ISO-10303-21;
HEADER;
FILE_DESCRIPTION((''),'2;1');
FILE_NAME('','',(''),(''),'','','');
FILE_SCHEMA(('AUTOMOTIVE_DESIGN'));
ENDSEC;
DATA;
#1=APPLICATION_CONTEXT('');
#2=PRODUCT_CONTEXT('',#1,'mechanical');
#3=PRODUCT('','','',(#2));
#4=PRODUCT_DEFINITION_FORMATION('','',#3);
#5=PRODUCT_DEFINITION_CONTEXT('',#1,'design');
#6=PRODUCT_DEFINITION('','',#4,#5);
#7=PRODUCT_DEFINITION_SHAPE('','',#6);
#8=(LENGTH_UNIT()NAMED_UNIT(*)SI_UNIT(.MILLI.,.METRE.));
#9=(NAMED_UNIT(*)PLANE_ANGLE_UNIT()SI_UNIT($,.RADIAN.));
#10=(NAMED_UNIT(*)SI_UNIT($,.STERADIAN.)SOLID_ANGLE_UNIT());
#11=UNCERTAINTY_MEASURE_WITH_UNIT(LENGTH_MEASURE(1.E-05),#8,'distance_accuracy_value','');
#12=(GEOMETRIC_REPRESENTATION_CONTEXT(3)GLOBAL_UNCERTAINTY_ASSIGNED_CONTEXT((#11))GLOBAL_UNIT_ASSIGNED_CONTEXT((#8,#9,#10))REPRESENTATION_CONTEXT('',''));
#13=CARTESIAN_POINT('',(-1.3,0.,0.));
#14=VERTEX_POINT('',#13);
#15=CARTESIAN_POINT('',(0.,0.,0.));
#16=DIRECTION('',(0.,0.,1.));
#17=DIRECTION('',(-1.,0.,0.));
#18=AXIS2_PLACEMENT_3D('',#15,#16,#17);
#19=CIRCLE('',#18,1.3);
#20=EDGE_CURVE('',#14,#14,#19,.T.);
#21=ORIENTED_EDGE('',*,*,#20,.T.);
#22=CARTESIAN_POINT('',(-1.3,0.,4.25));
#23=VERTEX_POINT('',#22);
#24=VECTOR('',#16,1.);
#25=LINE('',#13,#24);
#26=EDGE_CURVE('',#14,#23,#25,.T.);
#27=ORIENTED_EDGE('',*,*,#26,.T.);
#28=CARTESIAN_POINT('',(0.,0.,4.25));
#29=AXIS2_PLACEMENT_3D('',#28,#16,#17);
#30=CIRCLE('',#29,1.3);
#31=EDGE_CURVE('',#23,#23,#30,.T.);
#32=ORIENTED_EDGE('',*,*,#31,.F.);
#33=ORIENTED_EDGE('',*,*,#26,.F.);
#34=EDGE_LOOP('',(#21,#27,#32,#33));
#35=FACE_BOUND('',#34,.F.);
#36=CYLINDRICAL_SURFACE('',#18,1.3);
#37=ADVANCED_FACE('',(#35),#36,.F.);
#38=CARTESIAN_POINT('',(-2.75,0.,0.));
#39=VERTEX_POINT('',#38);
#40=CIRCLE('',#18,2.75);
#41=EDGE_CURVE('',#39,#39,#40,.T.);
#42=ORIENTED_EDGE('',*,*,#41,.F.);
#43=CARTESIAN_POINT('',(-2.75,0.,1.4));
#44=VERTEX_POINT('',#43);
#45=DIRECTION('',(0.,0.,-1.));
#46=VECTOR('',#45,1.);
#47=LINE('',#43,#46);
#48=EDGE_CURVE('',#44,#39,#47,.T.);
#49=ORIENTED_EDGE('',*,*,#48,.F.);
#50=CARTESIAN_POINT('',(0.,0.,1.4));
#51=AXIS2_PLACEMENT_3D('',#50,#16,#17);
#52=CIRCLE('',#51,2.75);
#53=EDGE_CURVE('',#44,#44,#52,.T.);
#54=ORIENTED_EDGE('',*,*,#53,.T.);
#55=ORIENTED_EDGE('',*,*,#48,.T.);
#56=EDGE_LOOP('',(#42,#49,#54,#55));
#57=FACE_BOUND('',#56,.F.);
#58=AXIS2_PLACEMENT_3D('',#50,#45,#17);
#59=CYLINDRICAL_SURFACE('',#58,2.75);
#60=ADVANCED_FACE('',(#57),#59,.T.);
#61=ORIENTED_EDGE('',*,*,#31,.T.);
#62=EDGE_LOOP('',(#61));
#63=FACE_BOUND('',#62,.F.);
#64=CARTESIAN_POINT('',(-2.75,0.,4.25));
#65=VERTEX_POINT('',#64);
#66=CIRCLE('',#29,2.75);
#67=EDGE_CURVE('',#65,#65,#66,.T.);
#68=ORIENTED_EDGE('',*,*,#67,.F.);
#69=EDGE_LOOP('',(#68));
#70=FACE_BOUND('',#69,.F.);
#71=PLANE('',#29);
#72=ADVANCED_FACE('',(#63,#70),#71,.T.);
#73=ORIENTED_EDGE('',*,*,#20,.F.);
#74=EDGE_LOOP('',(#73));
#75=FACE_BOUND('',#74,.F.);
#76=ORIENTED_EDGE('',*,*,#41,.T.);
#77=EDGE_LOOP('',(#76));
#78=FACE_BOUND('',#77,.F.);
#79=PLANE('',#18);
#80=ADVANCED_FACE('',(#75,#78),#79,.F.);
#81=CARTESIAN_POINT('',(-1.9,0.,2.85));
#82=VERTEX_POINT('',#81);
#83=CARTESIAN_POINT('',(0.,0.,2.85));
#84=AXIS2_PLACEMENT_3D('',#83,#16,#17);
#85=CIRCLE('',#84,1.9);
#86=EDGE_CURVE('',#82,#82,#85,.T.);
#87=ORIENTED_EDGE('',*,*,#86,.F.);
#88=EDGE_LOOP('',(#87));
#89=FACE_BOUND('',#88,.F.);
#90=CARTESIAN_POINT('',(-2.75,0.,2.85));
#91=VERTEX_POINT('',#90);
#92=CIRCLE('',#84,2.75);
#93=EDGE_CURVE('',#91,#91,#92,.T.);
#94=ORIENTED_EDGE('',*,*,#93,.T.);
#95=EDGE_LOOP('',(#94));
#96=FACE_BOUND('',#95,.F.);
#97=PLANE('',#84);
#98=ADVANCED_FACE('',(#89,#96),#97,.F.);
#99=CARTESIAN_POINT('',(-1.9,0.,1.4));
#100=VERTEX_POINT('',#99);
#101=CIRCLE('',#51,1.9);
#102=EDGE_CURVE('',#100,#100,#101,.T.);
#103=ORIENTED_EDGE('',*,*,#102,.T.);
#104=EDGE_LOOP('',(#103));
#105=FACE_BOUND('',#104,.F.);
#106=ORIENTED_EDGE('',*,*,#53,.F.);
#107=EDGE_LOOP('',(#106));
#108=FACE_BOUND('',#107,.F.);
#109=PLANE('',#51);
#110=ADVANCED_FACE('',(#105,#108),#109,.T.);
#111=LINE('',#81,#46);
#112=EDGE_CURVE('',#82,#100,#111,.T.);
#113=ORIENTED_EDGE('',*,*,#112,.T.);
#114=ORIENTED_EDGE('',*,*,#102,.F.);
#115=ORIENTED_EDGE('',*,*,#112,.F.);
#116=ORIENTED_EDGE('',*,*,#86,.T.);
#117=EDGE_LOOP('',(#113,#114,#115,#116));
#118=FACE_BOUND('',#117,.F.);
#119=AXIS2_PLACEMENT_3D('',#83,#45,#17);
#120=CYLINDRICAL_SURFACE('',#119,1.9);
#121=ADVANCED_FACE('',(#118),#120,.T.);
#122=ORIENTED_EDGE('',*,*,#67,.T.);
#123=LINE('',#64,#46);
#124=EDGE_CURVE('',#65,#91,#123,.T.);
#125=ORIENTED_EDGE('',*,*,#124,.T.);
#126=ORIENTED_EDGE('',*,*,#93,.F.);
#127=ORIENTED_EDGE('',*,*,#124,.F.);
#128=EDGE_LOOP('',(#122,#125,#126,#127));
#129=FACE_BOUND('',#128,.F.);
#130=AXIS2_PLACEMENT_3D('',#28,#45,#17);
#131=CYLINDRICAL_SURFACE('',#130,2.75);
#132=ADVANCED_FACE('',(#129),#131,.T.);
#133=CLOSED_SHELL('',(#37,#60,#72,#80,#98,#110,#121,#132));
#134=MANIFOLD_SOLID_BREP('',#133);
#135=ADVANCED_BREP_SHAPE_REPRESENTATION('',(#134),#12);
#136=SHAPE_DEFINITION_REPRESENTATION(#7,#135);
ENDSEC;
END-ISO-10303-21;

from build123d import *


with BuildPart() as part:
    # Sketch → Revolution (revolve)
    with BuildSketch(Plane.XZ):
        Polygon((-1.3, 0), (-1.3, 4.25), (-2.75, 4.25), (-2.75, 2.85), (-1.9, 2.85), (-1.9, 1.4), (-2.75, 1.4), (-2.75, 0), align=None)
    revolve(axis=Axis((0, 0, 0), (0, 0, 1)))


solid = part.part
